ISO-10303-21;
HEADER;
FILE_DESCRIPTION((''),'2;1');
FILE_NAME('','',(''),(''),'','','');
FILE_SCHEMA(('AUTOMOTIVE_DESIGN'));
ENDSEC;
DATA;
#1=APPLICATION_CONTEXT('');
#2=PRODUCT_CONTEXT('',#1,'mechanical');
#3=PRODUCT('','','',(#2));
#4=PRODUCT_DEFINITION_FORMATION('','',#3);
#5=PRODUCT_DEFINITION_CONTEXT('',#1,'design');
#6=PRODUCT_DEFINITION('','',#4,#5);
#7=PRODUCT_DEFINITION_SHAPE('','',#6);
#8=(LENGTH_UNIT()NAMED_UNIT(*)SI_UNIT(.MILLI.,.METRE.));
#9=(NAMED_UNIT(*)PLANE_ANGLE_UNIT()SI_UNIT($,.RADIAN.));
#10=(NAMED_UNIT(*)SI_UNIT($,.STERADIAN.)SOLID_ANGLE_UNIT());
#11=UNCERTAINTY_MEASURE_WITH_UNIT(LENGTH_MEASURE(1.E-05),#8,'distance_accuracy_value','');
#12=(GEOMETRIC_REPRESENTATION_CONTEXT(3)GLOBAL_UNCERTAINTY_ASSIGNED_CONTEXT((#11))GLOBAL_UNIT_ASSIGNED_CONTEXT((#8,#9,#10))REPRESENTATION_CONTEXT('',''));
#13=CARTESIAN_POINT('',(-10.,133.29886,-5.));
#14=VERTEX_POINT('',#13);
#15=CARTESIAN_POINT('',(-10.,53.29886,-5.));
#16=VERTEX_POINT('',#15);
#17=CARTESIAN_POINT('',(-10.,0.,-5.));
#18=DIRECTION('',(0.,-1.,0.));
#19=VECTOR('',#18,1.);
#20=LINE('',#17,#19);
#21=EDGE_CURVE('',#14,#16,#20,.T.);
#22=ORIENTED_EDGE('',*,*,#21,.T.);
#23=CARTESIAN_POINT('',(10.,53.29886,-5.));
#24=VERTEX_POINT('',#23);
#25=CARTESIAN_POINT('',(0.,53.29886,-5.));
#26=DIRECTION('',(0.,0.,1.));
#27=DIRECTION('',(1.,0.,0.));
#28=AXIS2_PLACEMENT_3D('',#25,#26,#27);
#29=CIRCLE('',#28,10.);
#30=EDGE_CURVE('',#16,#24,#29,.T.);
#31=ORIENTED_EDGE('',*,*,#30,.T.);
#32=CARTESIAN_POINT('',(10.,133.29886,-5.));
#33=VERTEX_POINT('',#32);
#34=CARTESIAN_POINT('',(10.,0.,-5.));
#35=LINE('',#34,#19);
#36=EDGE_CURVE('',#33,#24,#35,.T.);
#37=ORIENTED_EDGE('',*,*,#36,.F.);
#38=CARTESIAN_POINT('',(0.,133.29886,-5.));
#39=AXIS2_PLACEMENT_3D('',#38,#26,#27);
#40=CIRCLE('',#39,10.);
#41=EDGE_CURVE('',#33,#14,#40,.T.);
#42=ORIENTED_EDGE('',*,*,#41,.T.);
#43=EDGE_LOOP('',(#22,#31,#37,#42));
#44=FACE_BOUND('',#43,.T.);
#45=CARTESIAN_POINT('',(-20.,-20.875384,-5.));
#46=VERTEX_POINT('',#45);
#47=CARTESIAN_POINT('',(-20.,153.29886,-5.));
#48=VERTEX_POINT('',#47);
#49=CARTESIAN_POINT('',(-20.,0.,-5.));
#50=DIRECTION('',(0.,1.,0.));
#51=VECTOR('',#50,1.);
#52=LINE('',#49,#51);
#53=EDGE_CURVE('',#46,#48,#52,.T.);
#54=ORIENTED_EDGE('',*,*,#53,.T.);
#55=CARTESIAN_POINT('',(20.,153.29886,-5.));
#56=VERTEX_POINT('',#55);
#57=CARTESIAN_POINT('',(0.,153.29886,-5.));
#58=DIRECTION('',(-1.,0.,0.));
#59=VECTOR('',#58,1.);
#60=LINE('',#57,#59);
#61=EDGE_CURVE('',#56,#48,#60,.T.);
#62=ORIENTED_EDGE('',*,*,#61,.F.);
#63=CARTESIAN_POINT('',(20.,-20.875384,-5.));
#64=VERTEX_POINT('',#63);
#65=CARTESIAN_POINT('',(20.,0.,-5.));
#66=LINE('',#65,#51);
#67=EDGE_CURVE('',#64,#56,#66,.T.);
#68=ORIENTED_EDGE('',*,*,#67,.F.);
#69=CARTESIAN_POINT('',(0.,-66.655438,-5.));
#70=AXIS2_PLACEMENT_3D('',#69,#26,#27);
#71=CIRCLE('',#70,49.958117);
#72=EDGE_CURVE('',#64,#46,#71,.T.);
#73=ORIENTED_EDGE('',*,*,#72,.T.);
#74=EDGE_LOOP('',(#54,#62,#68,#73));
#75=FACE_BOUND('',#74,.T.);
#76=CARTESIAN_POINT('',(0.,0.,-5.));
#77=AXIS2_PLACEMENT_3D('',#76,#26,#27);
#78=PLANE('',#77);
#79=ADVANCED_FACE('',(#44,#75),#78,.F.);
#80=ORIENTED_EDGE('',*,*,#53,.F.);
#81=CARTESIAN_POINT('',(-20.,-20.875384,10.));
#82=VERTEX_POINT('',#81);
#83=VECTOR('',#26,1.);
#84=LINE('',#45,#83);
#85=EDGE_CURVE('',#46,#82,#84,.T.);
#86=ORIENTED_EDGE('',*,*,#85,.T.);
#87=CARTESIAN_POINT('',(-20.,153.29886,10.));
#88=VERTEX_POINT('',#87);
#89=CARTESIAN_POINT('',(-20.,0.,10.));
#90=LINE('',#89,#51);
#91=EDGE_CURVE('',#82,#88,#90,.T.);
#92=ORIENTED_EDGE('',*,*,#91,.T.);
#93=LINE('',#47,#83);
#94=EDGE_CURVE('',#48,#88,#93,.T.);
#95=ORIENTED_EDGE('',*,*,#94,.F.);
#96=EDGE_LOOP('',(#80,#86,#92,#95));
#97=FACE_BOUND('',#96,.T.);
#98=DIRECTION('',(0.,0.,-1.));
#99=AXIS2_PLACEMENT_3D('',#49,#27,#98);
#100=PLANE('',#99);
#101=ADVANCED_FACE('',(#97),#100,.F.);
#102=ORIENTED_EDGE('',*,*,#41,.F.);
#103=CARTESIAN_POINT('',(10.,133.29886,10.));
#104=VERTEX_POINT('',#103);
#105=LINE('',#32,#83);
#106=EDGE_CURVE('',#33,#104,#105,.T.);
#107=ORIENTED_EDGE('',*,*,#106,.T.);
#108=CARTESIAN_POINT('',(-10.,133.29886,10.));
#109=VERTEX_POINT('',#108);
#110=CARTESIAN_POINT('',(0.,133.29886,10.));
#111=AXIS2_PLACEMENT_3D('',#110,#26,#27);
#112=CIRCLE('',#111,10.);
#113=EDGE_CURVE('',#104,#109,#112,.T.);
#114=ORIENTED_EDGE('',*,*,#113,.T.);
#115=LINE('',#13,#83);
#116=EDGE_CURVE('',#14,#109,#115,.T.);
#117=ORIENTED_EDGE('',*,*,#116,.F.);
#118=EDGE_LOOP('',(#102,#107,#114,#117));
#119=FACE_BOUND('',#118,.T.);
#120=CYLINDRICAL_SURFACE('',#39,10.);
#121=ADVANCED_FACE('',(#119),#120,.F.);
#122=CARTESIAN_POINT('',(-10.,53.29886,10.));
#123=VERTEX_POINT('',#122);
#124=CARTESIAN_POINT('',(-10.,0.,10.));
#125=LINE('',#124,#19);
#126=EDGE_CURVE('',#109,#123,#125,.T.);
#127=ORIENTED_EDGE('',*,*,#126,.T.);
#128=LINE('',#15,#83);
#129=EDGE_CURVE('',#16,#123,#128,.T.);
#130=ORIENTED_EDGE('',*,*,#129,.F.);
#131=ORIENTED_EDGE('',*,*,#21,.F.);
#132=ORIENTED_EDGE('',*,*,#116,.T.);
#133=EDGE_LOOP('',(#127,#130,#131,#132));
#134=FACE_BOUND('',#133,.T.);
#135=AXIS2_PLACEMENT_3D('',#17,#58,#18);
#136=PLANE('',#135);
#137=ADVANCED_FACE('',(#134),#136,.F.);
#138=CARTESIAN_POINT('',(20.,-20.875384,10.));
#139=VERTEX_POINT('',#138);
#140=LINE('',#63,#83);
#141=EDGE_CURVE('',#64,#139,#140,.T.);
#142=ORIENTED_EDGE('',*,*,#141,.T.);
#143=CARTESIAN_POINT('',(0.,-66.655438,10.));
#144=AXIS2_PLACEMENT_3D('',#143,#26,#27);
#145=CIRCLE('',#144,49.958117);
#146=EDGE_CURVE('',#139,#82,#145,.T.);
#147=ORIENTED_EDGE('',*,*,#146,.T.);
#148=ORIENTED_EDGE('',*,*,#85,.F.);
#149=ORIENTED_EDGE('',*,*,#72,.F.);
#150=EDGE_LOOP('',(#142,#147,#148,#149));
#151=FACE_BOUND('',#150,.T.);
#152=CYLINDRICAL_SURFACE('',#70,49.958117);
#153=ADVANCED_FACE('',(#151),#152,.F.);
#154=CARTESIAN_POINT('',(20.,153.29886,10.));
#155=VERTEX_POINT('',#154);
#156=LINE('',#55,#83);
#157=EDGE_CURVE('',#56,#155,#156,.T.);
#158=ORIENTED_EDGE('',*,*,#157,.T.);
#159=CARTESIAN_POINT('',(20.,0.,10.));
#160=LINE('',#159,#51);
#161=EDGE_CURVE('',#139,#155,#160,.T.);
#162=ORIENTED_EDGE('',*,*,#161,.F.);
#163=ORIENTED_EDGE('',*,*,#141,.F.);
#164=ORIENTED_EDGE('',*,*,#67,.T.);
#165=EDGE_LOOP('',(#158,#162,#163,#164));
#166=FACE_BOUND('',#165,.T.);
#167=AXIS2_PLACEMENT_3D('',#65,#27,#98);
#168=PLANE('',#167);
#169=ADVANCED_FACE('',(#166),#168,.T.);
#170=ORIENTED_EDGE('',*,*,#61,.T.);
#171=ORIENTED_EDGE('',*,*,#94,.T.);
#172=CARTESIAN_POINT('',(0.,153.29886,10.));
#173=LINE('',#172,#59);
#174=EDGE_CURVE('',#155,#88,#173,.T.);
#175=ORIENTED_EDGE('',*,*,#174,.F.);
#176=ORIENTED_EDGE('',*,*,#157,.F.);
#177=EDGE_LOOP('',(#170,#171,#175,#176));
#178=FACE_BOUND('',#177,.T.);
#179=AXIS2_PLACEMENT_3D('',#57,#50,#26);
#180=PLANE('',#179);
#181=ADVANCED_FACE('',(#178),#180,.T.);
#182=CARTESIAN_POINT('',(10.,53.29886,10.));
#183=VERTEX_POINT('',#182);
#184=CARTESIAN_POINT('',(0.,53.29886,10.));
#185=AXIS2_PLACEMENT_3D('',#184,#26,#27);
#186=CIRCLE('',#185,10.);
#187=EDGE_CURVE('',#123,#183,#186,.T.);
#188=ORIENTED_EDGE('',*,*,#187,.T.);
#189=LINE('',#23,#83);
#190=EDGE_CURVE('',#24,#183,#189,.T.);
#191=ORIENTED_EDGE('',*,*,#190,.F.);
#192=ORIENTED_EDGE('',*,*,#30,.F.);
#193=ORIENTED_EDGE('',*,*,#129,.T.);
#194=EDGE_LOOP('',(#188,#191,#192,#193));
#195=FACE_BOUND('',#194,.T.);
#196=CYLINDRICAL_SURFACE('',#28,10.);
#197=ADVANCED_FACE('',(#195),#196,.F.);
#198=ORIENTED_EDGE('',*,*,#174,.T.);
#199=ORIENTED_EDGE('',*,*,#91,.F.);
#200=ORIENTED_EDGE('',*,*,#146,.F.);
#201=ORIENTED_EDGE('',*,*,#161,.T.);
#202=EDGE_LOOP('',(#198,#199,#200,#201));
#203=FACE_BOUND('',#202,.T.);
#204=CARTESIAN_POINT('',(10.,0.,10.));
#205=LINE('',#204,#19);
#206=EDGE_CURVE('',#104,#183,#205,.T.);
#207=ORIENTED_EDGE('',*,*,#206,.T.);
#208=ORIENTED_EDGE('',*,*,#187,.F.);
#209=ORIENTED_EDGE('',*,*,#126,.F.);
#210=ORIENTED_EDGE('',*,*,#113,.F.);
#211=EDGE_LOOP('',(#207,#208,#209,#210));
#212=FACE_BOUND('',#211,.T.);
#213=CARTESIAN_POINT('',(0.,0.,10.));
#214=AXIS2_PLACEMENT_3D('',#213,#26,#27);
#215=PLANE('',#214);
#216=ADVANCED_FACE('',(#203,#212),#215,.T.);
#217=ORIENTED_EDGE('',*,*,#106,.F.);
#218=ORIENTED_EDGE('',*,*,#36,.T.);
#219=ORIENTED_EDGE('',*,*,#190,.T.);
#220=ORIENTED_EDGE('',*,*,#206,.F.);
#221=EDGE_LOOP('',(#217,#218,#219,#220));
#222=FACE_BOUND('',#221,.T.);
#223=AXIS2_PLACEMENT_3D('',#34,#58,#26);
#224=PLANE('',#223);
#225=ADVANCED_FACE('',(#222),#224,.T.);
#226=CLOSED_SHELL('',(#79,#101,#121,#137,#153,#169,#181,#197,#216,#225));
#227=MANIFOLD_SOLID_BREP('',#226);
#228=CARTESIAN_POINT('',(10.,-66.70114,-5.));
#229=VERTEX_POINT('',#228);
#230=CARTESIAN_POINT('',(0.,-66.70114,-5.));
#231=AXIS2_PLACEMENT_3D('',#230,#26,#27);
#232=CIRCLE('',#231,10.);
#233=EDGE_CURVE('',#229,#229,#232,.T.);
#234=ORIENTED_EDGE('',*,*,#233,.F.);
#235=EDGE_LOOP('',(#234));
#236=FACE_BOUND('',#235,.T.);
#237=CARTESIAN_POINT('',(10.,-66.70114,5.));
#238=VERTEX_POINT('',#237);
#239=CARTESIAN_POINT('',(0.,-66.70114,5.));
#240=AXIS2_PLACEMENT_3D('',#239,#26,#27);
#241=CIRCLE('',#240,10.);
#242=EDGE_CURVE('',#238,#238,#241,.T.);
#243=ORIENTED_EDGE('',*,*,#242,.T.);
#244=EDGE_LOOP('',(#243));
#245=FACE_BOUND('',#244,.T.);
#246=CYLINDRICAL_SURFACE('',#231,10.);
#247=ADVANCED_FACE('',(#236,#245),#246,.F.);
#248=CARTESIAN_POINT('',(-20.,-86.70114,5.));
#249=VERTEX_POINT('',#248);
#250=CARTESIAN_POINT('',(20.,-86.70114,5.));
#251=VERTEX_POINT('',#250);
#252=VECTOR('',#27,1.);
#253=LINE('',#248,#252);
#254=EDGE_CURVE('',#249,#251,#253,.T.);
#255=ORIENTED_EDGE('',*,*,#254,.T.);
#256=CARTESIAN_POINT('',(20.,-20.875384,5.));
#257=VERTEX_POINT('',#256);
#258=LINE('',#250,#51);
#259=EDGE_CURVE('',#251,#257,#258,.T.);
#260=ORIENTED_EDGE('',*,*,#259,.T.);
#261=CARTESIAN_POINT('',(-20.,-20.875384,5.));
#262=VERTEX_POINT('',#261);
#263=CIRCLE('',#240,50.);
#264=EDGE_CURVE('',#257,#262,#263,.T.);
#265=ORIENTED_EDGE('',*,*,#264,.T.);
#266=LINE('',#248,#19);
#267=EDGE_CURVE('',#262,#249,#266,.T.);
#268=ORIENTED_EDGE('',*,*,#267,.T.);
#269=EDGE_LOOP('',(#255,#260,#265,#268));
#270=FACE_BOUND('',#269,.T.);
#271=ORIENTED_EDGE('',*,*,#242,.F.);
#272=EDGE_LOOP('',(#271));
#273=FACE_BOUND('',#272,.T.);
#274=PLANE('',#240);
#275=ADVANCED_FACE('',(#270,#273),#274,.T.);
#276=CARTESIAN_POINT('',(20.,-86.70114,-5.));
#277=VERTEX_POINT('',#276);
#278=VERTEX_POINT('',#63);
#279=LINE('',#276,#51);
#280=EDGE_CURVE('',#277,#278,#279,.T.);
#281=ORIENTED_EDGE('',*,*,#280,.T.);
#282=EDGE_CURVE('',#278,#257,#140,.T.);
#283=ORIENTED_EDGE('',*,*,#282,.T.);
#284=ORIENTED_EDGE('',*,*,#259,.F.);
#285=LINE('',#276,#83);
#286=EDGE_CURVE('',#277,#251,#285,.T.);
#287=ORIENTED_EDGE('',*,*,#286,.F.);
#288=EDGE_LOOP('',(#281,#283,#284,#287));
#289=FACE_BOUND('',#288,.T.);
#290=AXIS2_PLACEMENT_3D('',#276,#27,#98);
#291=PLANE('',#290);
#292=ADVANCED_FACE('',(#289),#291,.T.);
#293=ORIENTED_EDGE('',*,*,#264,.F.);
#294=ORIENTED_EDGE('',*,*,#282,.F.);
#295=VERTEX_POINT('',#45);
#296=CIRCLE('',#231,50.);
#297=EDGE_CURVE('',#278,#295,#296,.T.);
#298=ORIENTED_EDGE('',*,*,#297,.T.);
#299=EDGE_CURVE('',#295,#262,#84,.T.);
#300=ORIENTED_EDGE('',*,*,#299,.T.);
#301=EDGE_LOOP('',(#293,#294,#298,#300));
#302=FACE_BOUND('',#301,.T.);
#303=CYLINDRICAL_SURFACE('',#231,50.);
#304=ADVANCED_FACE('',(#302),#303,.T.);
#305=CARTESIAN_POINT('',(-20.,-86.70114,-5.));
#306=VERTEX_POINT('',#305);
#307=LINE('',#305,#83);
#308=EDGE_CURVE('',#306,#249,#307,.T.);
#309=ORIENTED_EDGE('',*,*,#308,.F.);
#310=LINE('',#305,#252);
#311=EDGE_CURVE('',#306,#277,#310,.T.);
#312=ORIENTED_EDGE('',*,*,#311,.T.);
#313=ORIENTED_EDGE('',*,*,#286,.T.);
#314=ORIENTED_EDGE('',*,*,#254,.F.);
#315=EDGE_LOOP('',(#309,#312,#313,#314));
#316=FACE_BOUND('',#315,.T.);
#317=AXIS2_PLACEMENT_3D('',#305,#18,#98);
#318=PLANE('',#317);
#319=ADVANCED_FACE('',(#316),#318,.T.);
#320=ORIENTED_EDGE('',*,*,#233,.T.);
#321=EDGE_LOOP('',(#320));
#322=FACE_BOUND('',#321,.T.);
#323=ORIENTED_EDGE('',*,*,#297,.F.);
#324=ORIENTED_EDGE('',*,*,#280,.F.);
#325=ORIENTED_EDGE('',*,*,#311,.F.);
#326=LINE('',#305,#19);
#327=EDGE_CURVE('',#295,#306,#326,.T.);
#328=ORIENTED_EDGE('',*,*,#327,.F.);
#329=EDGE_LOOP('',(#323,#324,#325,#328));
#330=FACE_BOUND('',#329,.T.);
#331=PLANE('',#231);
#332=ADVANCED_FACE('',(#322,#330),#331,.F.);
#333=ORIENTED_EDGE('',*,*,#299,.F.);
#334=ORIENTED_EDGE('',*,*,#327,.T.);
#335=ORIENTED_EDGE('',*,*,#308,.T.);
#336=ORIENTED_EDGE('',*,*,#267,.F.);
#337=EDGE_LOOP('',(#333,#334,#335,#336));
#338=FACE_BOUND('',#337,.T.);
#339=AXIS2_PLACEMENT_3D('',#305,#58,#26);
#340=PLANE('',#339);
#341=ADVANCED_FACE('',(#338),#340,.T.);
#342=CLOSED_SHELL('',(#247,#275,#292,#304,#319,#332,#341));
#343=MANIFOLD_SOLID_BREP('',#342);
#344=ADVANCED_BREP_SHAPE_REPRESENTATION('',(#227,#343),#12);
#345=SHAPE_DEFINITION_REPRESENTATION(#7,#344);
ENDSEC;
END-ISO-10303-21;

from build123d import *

# Parameters (mm, degrees)
RESSALTO_EXTRUS_O3_DEPTH      = 5
RESSALTO_EXTRUS_O3_DEPTH_BACK = 5
ESBO_O5_R                     = 10
RESSALTO_EXTRUS_O4_DEPTH      = 5
RESSALTO_EXTRUS_O4_DEPTH_BACK = 10


with BuildPart() as part:
    # Esboço5 → Ressalto-extrusão3 (new, two sides: drawn at the far end of the back side and taken through both)
    with BuildSketch(Plane.XY.offset(-RESSALTO_EXTRUS_O3_DEPTH_BACK)):
        with BuildLine():
            Line((-20, -86.701140479), (20, -86.701140479))
            Line((20, -86.701140479), (20, -20.87538353))
            ThreePointArc((20, -20.87538353), (0, -16.701140479), (-20, -20.87538353))
            Line((-20, -20.87538353), (-20, -86.701140479))
        make_face()
        with Locations((0, -66.701140479)):
            Circle(ESBO_O5_R, mode=Mode.SUBTRACT)
    extrude(amount=RESSALTO_EXTRUS_O3_DEPTH + RESSALTO_EXTRUS_O3_DEPTH_BACK)


with BuildPart() as body_2:
    # Esboço7 → Ressalto-extrusão4 (new, two sides: drawn at the far end of the back side and taken through both)
    with BuildSketch(Plane.XY.offset(5).offset(-RESSALTO_EXTRUS_O4_DEPTH_BACK)):
        with BuildLine():
            ThreePointArc((-20, -20.87538353), (0, -16.697321711), (20, -20.87538353))
            Line((20, -20.87538353), (20, 153.298859521))
            Line((20, 153.298859521), (0, 153.298859521))
            Line((0, 153.298859521), (-20, 153.298859521))
            Line((-20, 153.298859521), (-20, -20.87538353))
        make_face()
        with BuildLine():
            ThreePointArc((-10, 133.298859521), (-7.071067812, 140.369927333), (0, 143.298859521))
            ThreePointArc((0, 143.298859521), (7.071067812, 140.369927333), (10, 133.298859521))
            Line((10, 133.298859521), (10, 53.298859521))
            ThreePointArc((10, 53.298859521), (0, 43.298859521), (-10, 53.298859521))
            Line((-10, 53.298859521), (-10, 133.298859521))
        make_face(mode=Mode.SUBTRACT)
    extrude(amount=RESSALTO_EXTRUS_O4_DEPTH + RESSALTO_EXTRUS_O4_DEPTH_BACK)


solid = Compound([part.part, body_2.part])
